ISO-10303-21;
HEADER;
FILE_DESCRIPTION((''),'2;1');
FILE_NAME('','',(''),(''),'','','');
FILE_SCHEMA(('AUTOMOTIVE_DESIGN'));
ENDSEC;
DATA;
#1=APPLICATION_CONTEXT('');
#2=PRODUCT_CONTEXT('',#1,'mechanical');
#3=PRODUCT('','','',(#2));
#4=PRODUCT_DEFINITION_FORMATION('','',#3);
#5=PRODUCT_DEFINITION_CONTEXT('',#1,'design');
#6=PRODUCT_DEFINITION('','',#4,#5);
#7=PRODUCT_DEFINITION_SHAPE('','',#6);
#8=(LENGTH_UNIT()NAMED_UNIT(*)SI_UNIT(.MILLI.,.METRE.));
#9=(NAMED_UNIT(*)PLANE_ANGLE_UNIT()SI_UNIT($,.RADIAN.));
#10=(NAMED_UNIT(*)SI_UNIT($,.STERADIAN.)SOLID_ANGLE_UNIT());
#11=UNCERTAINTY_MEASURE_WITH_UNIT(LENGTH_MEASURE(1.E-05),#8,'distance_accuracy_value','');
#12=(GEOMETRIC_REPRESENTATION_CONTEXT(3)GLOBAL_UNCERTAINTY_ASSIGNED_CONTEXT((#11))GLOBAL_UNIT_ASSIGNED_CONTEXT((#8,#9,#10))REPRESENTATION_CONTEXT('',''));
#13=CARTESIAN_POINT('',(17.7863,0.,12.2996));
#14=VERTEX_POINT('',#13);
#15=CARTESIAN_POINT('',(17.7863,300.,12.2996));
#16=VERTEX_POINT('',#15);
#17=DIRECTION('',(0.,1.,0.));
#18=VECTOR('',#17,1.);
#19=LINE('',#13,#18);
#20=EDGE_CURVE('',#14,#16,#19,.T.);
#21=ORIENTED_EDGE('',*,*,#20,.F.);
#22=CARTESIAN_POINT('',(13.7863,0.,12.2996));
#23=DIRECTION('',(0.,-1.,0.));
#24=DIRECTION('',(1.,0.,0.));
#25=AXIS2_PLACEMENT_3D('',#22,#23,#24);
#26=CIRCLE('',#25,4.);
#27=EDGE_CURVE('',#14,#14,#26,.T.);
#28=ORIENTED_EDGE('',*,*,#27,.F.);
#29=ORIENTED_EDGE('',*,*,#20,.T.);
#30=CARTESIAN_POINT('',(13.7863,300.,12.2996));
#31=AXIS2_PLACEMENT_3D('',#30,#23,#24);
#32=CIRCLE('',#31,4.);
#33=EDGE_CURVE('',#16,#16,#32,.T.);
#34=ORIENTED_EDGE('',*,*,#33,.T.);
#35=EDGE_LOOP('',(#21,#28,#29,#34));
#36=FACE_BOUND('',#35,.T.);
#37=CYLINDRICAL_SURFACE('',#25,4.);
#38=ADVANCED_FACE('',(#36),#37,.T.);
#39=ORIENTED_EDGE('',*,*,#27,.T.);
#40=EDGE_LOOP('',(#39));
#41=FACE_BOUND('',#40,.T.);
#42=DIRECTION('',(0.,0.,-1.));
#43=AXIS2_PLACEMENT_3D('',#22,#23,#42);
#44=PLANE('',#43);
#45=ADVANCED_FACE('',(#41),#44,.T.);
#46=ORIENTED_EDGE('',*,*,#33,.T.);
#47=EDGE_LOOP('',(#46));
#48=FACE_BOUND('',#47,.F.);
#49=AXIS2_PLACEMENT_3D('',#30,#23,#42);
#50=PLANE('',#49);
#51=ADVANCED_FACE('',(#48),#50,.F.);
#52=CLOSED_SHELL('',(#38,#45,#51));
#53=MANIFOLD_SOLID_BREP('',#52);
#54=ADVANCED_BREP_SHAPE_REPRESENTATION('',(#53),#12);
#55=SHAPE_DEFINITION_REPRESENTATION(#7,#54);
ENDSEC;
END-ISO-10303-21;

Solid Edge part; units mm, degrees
sketch "Sketch1" plane through (0, 0, 0) normal (0, -1, 0) x (1, 0, 0)
  circle A0 centre (13.7863, 12.2996) radius 4
extrude "Protrusion1" add sketch "Sketch1" against normal blind 300
